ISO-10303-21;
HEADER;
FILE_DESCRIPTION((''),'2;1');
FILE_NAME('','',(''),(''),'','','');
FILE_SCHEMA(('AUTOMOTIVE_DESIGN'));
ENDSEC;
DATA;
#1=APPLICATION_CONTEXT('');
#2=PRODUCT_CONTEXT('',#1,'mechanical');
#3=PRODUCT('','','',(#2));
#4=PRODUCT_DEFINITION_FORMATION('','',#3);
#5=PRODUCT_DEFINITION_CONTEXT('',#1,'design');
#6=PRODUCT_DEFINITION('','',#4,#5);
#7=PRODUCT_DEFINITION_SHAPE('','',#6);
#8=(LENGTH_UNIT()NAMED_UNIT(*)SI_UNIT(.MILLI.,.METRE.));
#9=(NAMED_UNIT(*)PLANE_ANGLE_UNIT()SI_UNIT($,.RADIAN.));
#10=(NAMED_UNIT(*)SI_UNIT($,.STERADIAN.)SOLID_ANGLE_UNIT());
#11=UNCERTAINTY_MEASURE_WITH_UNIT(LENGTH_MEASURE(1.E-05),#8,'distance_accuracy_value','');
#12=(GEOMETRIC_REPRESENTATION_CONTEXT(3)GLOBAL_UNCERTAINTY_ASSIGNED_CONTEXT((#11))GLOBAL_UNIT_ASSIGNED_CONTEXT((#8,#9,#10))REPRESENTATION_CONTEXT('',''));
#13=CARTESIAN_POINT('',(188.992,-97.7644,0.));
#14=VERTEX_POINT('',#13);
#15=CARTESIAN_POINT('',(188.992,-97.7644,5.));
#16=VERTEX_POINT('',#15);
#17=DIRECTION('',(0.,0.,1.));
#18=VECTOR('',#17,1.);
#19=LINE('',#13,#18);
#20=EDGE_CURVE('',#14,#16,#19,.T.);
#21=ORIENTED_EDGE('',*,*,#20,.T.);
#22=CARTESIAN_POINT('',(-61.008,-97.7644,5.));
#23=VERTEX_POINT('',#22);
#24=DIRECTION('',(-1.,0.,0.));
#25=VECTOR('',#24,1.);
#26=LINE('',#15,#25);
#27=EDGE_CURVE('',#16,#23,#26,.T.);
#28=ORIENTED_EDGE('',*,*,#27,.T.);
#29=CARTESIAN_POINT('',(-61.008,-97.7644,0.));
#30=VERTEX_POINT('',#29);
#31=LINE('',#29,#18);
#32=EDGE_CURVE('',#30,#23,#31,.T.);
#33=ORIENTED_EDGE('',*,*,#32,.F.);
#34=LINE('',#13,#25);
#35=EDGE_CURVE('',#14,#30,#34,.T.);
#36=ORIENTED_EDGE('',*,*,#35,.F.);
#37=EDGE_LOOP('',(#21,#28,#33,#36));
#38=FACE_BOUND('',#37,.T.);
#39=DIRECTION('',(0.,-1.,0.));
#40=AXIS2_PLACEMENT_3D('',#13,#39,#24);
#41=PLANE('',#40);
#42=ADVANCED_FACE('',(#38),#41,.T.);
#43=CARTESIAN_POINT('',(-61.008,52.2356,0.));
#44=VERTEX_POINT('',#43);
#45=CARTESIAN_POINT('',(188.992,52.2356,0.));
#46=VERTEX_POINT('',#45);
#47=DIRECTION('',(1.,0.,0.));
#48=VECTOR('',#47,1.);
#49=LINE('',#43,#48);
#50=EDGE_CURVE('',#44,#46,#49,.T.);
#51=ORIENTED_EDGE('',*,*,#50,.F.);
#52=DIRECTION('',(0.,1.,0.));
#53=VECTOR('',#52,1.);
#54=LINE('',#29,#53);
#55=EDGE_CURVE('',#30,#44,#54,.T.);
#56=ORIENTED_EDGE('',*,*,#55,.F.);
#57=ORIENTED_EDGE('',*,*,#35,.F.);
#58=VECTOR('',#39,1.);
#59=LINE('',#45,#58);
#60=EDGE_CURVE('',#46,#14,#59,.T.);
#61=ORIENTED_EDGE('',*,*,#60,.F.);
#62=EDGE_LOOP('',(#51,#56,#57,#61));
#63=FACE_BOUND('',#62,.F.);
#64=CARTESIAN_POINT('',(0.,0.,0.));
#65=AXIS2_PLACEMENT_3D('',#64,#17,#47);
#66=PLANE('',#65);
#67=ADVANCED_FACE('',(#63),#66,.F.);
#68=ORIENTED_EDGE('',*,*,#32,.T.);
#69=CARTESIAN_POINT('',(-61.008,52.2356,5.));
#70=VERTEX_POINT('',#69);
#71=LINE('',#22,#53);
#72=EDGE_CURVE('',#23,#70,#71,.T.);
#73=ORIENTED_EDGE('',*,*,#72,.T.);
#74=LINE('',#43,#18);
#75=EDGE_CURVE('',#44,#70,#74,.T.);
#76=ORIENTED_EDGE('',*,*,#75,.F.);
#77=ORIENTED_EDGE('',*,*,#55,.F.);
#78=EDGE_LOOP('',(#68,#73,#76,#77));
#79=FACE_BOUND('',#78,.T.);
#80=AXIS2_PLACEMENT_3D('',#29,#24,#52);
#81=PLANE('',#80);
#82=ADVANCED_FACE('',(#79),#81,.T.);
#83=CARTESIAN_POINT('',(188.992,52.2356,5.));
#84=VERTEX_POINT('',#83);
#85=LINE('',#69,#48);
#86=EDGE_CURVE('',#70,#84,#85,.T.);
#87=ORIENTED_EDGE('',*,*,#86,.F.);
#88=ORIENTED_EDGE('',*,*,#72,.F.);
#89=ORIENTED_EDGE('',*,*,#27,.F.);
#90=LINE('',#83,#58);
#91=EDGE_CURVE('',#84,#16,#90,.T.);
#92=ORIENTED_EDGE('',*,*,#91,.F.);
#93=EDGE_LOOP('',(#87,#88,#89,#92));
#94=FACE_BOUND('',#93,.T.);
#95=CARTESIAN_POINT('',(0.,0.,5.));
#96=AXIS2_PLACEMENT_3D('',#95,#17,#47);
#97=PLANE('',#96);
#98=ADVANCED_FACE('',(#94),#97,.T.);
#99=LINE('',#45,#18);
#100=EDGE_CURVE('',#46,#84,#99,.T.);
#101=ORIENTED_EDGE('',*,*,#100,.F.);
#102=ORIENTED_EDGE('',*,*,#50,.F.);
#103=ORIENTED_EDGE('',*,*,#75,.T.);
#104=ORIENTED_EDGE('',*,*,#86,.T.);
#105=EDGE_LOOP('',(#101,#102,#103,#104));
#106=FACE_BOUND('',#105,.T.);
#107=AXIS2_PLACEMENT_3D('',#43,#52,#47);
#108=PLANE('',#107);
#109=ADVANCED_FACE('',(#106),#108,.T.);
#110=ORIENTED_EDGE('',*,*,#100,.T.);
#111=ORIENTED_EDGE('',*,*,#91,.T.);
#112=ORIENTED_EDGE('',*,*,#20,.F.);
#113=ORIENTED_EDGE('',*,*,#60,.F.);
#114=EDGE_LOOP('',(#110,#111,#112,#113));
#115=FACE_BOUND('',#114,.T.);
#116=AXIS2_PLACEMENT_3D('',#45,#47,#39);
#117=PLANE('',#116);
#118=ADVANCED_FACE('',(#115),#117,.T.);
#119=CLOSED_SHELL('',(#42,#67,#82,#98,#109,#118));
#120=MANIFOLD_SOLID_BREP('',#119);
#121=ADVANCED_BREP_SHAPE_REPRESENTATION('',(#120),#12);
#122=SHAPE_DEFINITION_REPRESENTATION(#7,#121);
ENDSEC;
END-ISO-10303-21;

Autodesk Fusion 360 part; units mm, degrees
sketch "Sketch1" plane through (0, 0, 0) normal (0, 0, 1) x (1, 0, 0)
  line L0 (-61.008, 52.2356) -> (188.992, 52.2356)
  line L1 (188.992, 52.2356) -> (188.992, -97.7644)
  line L2 (188.992, -97.7644) -> (-61.008, -97.7644)
  line L3 (-61.008, -97.7644) -> (-61.008, 52.2356)
  dimension "d1" = 250
  dimension "d2" = 150
extrude "Extrude1" add sketch "Sketch1" along normal blind 5
